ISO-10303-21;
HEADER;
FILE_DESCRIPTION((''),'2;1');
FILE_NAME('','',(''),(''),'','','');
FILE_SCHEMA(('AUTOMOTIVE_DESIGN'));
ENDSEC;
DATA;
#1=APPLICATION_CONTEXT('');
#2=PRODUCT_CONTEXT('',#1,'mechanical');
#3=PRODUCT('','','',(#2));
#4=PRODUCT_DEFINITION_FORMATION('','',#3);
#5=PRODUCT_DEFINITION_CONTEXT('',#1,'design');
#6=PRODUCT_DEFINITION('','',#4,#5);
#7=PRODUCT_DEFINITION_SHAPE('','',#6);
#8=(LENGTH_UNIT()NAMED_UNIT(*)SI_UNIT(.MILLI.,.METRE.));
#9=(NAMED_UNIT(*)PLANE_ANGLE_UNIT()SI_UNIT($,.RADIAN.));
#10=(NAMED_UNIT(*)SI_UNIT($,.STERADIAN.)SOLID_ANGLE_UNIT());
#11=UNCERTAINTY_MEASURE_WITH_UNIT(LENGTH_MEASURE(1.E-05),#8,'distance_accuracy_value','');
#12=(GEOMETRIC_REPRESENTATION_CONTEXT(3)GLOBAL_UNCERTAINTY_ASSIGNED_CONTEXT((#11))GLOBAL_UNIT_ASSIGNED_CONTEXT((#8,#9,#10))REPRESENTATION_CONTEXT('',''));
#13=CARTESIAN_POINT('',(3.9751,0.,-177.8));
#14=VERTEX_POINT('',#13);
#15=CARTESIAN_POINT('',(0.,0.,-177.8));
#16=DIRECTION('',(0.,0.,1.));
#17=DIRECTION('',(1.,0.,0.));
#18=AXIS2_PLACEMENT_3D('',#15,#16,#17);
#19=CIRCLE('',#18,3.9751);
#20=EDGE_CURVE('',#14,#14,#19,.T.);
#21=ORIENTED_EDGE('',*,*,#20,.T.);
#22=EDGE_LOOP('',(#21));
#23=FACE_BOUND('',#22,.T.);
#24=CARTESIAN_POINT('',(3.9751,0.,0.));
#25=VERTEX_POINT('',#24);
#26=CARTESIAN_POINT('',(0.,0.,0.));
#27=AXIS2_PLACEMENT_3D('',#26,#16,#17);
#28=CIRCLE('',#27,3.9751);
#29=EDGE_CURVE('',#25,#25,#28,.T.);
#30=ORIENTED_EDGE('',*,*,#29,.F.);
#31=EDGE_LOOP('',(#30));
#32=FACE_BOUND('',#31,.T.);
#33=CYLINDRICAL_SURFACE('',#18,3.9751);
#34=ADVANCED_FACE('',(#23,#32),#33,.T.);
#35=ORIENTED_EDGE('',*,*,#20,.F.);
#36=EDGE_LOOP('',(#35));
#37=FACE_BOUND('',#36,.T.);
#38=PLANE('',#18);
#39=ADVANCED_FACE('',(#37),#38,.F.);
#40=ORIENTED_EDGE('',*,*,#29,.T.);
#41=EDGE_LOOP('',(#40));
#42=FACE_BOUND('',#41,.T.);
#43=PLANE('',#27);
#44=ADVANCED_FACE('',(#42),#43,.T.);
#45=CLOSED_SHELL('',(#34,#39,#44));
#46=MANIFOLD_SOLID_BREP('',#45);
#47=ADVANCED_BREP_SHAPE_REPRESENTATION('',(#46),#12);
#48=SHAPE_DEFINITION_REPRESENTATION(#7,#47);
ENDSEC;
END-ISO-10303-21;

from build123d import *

# Parameters (mm, degrees)
SKETCH1_R           = 3.9751
BOSS_EXTRUDE1_DEPTH = 177.8


with BuildPart() as part:
    # Sketch1 → Boss-Extrude1 (new body)
    with BuildSketch(Plane.XY):
        Circle(SKETCH1_R)
    extrude(amount=-BOSS_EXTRUDE1_DEPTH)


solid = part.part
